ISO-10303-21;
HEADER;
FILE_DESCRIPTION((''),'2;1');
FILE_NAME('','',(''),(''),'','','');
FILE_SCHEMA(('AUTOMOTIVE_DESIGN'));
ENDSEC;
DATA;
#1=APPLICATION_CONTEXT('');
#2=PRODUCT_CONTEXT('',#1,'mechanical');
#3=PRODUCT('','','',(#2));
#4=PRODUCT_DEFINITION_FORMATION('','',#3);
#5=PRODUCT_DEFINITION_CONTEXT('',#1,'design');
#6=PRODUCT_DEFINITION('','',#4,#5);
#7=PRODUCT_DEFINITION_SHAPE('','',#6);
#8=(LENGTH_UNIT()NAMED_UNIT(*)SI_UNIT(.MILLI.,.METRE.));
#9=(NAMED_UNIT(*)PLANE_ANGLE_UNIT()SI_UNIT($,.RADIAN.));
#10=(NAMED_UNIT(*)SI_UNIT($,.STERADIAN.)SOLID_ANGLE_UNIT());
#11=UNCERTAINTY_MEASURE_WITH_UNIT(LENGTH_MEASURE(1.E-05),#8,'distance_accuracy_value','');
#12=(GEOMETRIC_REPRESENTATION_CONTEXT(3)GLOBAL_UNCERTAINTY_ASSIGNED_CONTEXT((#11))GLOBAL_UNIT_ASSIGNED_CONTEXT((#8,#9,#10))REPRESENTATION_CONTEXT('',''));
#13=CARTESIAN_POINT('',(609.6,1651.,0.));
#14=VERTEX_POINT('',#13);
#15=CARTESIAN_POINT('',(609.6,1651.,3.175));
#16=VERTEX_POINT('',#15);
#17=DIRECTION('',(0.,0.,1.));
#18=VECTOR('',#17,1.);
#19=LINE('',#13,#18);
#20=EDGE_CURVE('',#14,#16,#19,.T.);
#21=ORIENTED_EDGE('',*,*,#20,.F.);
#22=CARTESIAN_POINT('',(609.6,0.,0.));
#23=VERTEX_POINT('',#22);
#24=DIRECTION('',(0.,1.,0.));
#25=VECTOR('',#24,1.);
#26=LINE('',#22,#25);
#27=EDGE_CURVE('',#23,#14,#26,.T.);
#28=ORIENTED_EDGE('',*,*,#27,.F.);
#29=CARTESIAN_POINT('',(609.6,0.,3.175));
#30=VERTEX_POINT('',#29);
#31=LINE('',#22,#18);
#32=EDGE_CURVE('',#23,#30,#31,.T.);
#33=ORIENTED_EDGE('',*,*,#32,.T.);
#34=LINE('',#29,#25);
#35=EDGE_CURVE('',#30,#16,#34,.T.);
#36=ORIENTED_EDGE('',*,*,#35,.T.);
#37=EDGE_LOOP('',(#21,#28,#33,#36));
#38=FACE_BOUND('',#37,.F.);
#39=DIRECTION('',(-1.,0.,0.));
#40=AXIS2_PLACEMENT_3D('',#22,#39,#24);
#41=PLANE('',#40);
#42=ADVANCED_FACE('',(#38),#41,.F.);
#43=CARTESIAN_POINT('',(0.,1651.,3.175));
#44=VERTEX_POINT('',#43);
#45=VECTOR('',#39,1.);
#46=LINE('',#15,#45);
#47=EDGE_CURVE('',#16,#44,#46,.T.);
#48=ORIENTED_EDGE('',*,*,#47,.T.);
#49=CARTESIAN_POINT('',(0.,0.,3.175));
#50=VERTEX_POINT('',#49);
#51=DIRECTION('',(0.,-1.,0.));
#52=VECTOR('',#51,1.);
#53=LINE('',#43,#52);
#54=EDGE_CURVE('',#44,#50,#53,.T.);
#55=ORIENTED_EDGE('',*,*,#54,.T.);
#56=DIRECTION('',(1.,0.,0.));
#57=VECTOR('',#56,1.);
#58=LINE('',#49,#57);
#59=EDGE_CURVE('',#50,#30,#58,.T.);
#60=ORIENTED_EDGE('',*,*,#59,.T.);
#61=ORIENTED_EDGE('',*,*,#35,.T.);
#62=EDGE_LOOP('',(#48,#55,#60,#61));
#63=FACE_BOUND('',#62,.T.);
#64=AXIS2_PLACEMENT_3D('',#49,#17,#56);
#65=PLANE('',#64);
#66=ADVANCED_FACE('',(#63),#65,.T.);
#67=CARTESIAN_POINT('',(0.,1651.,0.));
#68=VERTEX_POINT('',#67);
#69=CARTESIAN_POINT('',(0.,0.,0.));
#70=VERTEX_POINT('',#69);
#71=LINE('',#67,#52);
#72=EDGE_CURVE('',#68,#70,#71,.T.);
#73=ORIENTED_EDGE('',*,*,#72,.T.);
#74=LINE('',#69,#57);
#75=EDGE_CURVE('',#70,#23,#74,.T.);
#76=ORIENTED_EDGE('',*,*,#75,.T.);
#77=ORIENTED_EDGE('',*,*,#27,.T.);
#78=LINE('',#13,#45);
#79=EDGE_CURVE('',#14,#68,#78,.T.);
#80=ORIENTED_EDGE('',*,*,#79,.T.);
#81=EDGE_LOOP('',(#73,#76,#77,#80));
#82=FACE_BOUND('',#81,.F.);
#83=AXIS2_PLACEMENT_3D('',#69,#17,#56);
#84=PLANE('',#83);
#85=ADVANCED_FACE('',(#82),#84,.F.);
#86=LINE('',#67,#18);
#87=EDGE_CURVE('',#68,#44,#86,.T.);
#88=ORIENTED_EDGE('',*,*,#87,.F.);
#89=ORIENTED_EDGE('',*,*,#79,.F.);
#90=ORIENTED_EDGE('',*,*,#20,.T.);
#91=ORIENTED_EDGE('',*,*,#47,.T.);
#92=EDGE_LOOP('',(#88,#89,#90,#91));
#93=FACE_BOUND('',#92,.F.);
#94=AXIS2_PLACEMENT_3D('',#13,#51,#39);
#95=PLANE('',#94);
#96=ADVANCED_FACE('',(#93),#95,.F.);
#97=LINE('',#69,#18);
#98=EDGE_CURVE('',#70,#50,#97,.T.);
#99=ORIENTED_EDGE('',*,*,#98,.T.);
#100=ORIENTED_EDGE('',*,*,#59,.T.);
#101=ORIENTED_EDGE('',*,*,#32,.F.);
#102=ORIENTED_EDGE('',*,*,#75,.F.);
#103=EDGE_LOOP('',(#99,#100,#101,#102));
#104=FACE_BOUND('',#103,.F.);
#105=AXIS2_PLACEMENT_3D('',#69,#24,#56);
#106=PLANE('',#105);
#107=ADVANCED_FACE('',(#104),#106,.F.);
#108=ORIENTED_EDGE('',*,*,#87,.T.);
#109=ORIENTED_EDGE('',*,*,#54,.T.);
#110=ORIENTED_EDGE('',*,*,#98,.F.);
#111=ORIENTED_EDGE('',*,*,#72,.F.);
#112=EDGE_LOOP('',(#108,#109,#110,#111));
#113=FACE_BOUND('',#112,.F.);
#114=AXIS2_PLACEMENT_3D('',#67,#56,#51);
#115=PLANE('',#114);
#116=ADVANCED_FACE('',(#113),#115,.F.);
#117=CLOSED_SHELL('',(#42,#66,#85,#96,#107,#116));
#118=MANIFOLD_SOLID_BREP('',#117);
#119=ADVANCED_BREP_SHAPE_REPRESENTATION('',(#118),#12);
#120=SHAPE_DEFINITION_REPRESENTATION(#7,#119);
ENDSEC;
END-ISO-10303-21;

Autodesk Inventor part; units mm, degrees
ref_plane "YZ Plane" through (0, 0, 0) normal (1, 0, 0) x (0, 1, 0)
ref_plane "XZ Plane" through (0, 0, 0) normal (0, 1, 0) x (-1, 0, 0)
ref_plane "XY Plane" through (0, 0, 0) normal (0, 0, 1) x (1, 0, 0)
sketch "Sketch1" plane through (0, 0, 0) normal (0, 0, 1) x (1, 0, 0)
  line L0 (0, 0) -> (609.6, 0)
  line L1 (609.6, 0) -> (609.6, 1651)
  line L2 (609.6, 1651) -> (0, 1651)
  line L3 (0, 1651) -> (0, 0)
  dimension "d0" = 1651
  dimension "d1" = 609.6
extrude "Extrusion1" add sketch "Sketch1" along normal blind 3.175
properties part number "GE-12094"
